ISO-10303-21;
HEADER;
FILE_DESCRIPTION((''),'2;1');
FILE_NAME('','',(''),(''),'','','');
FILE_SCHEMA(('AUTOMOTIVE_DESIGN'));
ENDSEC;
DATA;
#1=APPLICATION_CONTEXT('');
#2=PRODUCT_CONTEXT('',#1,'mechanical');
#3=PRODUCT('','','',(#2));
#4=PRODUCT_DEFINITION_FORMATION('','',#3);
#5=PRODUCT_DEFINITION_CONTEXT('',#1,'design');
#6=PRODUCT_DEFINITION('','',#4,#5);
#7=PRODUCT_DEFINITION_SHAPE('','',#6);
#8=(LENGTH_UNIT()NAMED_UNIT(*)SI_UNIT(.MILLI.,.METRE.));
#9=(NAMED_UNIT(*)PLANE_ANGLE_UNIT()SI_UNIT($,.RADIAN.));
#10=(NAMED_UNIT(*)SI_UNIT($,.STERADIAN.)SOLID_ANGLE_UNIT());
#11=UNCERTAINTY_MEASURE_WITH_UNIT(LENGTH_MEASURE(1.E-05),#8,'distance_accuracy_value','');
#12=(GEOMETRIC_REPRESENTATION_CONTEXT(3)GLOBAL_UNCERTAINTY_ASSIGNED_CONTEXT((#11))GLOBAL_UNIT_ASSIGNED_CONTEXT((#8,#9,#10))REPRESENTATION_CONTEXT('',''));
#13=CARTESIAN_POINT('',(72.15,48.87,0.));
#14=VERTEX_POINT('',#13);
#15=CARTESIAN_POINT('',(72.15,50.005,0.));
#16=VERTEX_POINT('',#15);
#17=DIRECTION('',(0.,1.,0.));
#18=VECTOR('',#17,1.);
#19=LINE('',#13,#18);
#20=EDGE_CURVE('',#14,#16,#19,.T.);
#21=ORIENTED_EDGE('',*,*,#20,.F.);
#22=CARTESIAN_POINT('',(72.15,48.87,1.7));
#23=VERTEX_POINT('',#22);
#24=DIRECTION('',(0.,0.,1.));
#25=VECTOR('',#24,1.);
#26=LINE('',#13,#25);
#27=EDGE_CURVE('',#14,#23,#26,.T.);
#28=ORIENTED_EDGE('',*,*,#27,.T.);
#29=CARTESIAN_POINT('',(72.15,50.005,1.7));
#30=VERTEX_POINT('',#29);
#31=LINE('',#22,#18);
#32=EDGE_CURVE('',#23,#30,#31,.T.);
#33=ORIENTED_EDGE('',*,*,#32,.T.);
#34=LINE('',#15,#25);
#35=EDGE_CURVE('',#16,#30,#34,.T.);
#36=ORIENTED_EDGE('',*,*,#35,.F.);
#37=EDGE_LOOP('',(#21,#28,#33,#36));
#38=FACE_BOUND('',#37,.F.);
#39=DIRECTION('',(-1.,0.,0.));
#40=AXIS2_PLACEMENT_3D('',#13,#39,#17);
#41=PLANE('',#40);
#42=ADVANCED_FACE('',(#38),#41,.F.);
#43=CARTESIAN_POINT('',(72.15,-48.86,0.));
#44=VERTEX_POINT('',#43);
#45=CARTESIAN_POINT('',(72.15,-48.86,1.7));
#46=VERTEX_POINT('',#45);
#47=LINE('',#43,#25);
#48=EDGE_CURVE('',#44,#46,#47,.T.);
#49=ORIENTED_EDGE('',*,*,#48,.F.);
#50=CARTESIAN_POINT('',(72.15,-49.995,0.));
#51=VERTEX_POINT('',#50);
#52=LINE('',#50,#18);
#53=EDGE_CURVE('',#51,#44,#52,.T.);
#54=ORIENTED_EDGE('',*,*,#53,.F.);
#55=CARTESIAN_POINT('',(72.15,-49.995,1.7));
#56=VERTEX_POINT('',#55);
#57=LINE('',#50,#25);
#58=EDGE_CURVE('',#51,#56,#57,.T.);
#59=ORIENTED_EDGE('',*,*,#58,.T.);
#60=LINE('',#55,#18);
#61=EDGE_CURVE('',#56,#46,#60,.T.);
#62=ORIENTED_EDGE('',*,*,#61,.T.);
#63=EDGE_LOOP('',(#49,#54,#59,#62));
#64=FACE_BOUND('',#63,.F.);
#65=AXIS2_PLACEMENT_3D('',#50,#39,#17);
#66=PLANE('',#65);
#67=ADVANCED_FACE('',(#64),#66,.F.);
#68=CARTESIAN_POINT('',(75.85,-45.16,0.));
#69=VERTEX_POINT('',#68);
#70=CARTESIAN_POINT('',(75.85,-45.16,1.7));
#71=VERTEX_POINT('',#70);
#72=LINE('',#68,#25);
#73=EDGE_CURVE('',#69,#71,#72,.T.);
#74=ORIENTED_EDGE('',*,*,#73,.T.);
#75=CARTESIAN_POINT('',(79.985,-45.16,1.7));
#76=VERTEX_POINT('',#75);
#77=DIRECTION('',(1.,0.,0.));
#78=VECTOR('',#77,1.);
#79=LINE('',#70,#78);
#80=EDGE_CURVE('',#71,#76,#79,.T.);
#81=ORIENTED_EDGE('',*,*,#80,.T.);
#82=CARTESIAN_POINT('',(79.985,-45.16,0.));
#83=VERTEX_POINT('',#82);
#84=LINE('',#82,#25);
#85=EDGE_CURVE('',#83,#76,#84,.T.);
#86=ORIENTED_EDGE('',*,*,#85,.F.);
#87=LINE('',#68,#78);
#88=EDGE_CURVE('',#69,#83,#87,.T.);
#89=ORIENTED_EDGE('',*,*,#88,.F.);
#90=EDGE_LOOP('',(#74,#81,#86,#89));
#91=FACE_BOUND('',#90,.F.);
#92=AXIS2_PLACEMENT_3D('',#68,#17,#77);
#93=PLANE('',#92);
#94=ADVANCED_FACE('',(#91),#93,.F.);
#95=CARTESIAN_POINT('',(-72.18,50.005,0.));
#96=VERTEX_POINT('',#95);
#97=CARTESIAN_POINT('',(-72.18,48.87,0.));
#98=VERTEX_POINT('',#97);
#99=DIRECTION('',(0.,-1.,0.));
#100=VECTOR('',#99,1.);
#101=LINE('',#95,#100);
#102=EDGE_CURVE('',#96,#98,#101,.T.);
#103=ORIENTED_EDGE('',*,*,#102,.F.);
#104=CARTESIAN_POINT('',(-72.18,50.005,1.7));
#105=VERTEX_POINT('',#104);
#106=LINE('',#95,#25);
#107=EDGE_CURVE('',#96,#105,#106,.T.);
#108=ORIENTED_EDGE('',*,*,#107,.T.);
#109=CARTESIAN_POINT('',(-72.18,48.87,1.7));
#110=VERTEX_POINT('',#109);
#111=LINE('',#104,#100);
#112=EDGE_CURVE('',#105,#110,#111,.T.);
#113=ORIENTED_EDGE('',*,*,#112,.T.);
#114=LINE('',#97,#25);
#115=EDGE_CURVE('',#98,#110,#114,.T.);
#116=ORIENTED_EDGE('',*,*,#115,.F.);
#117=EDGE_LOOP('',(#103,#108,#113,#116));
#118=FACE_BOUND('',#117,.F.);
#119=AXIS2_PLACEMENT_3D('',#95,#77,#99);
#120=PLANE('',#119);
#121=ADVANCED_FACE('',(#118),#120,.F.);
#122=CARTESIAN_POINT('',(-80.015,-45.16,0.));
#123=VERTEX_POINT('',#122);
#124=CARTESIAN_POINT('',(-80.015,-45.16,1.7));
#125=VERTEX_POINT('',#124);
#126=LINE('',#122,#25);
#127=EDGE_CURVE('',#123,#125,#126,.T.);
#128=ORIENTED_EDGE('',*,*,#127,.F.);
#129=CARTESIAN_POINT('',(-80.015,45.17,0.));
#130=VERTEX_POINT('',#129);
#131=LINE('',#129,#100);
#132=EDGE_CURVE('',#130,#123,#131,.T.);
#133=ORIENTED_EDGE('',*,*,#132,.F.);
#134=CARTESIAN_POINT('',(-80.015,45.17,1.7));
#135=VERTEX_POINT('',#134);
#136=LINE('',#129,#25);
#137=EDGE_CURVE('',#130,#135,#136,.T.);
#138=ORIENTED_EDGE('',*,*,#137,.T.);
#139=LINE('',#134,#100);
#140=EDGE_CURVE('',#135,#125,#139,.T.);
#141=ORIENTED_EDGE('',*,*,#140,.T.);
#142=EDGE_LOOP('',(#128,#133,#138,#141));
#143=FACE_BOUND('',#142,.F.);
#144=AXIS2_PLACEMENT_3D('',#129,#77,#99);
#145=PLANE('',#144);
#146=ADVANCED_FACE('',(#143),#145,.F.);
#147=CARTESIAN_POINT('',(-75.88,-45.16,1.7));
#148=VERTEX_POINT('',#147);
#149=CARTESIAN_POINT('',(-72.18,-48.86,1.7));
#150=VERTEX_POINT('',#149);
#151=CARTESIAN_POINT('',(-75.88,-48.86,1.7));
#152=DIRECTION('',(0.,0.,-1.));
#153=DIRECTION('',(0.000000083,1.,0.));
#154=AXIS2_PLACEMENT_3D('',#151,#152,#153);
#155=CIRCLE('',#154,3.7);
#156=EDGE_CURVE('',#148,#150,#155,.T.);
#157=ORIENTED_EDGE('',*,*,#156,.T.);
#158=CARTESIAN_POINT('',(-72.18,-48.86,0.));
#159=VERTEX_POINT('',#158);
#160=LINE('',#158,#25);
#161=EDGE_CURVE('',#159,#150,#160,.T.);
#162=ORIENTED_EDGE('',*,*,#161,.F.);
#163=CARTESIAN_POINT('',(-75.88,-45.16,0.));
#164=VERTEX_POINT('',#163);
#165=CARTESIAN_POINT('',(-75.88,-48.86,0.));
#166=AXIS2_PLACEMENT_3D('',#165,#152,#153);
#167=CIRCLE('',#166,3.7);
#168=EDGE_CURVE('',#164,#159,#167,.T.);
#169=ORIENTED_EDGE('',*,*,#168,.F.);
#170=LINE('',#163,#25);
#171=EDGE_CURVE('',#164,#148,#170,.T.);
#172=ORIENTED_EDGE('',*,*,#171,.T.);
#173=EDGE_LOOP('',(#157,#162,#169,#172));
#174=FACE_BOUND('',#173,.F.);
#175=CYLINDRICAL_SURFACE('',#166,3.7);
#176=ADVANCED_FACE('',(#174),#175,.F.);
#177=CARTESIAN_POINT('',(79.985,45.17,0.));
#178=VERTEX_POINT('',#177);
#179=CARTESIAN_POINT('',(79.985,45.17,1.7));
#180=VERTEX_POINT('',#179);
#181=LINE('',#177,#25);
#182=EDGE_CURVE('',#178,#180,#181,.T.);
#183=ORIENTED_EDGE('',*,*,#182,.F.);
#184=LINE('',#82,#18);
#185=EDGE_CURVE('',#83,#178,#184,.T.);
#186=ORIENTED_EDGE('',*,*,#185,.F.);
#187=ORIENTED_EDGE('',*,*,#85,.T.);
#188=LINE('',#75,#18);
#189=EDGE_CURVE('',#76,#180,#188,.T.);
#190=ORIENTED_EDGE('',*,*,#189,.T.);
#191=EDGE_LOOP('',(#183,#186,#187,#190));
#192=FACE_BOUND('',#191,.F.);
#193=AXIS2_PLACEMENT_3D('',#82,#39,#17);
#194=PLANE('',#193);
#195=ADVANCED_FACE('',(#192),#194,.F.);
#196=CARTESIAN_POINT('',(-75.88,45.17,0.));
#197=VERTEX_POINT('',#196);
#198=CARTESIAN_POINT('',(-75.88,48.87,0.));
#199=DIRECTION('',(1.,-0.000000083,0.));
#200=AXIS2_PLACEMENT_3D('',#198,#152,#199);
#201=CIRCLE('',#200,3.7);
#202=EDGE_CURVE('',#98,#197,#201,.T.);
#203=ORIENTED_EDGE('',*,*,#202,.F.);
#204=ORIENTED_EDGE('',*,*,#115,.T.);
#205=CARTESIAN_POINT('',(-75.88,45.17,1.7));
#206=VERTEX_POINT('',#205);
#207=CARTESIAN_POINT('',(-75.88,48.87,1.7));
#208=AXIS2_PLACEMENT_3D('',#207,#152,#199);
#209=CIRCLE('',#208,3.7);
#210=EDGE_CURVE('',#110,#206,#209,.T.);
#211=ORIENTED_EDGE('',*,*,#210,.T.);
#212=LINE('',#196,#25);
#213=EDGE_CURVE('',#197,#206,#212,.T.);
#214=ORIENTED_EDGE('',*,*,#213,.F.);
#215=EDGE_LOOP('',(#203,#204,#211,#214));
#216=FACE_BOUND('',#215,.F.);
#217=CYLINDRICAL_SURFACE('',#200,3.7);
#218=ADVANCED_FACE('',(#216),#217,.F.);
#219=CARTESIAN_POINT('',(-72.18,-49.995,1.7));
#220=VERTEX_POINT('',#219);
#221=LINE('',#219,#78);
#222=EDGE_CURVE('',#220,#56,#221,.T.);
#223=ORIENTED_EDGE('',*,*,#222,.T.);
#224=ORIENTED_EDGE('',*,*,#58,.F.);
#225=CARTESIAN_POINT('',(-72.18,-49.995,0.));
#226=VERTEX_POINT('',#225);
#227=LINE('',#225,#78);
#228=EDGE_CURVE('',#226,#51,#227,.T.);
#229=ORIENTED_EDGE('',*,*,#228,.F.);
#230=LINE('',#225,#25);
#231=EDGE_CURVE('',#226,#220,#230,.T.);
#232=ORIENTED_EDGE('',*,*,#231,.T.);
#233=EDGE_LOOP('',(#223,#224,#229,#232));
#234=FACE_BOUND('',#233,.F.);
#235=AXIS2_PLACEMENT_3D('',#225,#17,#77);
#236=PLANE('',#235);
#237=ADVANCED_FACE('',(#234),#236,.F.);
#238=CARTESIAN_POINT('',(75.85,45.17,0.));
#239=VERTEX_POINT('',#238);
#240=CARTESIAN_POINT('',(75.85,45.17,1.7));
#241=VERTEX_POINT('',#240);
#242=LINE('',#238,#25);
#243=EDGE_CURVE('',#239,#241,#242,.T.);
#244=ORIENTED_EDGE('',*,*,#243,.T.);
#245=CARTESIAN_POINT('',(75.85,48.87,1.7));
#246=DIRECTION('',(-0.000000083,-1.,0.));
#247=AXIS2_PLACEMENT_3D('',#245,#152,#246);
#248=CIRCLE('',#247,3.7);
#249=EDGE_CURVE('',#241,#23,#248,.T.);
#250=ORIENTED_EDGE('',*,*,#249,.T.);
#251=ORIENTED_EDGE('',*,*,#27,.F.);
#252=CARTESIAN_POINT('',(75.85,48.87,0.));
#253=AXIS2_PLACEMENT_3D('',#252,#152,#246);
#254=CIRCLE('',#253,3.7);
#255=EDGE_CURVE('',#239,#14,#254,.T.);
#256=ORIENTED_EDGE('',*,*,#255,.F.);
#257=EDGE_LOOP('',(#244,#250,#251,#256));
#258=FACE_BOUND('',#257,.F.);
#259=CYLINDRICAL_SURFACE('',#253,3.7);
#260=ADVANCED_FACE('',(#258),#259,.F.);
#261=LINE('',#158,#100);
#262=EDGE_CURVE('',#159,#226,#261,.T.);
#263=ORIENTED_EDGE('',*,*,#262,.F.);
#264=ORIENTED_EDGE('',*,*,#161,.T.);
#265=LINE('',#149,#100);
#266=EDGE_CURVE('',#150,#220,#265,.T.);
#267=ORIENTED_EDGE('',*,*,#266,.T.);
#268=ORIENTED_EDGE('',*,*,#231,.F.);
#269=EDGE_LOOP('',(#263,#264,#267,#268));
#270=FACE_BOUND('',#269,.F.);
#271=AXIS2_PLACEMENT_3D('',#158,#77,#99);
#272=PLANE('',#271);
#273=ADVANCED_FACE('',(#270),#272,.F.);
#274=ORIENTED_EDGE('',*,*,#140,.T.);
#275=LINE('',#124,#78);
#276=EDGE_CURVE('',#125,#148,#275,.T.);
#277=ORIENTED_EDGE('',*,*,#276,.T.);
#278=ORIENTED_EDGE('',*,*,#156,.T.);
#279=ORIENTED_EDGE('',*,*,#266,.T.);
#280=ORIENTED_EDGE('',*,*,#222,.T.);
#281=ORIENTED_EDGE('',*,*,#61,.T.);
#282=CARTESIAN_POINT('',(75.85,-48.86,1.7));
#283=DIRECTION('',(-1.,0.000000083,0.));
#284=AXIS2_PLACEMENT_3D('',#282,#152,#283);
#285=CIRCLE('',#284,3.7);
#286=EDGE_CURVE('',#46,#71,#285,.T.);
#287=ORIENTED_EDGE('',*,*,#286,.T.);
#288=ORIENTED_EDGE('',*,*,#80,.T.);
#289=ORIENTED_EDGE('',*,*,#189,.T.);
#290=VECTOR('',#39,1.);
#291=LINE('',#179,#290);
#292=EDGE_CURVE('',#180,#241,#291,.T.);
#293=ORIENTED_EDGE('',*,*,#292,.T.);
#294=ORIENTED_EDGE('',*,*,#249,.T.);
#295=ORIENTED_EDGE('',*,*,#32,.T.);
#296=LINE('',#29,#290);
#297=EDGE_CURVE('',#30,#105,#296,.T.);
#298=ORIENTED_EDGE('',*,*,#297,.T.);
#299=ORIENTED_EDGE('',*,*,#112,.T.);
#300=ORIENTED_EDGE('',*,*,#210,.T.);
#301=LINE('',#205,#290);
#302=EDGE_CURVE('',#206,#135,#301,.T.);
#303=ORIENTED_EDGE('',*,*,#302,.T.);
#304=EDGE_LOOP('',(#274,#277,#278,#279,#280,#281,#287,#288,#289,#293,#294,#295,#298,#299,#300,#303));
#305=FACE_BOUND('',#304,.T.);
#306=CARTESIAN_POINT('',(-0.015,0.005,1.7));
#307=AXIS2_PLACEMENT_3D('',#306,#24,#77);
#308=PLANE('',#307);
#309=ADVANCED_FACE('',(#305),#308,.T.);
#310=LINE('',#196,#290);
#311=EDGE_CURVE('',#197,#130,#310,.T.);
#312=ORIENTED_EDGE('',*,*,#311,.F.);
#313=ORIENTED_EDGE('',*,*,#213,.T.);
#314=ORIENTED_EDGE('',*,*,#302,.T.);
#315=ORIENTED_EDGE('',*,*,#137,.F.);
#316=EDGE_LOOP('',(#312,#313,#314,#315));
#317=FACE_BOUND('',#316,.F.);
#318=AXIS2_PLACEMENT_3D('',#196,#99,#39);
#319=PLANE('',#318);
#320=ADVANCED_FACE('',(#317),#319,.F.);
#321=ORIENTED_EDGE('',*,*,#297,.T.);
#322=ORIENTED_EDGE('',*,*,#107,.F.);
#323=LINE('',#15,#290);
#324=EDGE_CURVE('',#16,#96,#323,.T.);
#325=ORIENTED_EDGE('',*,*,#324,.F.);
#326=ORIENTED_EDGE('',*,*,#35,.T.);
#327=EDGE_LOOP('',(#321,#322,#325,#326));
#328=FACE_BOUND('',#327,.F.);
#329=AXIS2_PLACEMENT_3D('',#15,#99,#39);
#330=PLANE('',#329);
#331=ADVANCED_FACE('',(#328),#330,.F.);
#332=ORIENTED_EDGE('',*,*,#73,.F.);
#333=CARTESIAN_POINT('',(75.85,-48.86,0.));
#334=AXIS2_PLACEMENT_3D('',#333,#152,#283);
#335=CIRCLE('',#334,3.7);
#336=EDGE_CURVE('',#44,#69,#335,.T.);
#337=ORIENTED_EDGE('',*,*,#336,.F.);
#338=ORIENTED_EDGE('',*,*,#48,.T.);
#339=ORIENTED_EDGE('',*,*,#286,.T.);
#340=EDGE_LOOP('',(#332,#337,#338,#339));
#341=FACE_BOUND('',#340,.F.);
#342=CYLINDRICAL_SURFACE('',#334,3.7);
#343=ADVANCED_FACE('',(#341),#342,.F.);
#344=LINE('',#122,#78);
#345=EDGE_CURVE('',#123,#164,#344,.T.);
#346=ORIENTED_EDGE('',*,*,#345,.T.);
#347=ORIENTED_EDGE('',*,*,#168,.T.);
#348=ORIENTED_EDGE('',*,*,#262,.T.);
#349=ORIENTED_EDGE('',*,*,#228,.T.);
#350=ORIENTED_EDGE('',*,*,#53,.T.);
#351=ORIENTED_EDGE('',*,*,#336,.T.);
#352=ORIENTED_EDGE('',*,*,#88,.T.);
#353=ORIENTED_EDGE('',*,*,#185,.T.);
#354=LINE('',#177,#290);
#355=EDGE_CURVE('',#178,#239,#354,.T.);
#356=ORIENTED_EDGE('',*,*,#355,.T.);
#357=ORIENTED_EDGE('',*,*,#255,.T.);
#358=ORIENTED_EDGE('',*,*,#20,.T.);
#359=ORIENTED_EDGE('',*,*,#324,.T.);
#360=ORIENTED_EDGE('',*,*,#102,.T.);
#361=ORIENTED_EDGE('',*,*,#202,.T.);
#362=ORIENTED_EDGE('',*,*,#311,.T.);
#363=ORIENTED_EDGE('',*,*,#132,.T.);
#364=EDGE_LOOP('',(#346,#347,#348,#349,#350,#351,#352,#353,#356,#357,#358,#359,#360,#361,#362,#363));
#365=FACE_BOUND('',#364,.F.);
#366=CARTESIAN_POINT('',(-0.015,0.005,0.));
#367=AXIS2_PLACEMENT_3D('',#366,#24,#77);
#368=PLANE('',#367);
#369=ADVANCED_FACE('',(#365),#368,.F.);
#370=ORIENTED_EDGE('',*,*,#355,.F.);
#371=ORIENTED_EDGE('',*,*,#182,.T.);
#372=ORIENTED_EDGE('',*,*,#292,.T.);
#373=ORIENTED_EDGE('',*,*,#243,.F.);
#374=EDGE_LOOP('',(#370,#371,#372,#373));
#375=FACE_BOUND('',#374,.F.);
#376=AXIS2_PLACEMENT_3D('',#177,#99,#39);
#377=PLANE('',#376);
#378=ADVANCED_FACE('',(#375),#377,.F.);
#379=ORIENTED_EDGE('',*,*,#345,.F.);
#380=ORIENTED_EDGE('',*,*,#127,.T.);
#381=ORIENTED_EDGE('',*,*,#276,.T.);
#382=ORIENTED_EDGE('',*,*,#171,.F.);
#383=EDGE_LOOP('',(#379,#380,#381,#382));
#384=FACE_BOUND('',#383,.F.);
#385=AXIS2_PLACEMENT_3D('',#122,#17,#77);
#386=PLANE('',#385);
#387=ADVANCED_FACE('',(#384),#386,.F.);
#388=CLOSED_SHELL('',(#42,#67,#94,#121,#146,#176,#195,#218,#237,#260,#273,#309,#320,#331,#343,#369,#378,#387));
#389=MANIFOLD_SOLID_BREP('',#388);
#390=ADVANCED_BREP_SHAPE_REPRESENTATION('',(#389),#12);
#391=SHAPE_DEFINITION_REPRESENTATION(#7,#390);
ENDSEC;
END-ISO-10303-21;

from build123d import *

# Parameters (mm, degrees)
F1_DEPTH = 1.7


with BuildPart() as f1:
    # F0 (on Top) → F1 (new body)
    with BuildSketch(Plane.XY):
        with BuildLine():
            Line((-72.18, -48.86), (-72.18, -49.995))
            Line((-72.18, -49.995), (72.15, -49.995))
            Line((72.15, -49.995), (72.15, -48.86))
            ThreePointArc((72.15, -48.86), (73.233705, -46.243705), (75.85, -45.16))
            Line((75.85, -45.16), (79.985, -45.16))
            Line((79.985, -45.16), (79.985, 45.17))
            Line((79.985, 45.17), (75.85, 45.17))
            ThreePointArc((75.85, 45.17), (73.233705, 46.253705), (72.15, 48.87))
            Line((72.15, 48.87), (72.15, 50.005))
            Line((72.15, 50.005), (0, 50.005))
            Line((0, 50.005), (-72.18, 50.005))
            Line((-72.18, 50.005), (-72.18, 48.87))
            ThreePointArc((-72.18, 48.87), (-73.263705, 46.253705), (-75.88, 45.17))
            Line((-75.88, 45.17), (-80.015, 45.17))
            Line((-80.015, 45.17), (-80.015, 0))
            Line((-80.015, 0), (-80.015, -45.16))
            Line((-80.015, -45.16), (-75.88, -45.16))
            ThreePointArc((-75.88, -45.16), (-73.263705, -46.243705), (-72.18, -48.86))
        make_face()
    extrude(amount=F1_DEPTH)


solid = f1.part
